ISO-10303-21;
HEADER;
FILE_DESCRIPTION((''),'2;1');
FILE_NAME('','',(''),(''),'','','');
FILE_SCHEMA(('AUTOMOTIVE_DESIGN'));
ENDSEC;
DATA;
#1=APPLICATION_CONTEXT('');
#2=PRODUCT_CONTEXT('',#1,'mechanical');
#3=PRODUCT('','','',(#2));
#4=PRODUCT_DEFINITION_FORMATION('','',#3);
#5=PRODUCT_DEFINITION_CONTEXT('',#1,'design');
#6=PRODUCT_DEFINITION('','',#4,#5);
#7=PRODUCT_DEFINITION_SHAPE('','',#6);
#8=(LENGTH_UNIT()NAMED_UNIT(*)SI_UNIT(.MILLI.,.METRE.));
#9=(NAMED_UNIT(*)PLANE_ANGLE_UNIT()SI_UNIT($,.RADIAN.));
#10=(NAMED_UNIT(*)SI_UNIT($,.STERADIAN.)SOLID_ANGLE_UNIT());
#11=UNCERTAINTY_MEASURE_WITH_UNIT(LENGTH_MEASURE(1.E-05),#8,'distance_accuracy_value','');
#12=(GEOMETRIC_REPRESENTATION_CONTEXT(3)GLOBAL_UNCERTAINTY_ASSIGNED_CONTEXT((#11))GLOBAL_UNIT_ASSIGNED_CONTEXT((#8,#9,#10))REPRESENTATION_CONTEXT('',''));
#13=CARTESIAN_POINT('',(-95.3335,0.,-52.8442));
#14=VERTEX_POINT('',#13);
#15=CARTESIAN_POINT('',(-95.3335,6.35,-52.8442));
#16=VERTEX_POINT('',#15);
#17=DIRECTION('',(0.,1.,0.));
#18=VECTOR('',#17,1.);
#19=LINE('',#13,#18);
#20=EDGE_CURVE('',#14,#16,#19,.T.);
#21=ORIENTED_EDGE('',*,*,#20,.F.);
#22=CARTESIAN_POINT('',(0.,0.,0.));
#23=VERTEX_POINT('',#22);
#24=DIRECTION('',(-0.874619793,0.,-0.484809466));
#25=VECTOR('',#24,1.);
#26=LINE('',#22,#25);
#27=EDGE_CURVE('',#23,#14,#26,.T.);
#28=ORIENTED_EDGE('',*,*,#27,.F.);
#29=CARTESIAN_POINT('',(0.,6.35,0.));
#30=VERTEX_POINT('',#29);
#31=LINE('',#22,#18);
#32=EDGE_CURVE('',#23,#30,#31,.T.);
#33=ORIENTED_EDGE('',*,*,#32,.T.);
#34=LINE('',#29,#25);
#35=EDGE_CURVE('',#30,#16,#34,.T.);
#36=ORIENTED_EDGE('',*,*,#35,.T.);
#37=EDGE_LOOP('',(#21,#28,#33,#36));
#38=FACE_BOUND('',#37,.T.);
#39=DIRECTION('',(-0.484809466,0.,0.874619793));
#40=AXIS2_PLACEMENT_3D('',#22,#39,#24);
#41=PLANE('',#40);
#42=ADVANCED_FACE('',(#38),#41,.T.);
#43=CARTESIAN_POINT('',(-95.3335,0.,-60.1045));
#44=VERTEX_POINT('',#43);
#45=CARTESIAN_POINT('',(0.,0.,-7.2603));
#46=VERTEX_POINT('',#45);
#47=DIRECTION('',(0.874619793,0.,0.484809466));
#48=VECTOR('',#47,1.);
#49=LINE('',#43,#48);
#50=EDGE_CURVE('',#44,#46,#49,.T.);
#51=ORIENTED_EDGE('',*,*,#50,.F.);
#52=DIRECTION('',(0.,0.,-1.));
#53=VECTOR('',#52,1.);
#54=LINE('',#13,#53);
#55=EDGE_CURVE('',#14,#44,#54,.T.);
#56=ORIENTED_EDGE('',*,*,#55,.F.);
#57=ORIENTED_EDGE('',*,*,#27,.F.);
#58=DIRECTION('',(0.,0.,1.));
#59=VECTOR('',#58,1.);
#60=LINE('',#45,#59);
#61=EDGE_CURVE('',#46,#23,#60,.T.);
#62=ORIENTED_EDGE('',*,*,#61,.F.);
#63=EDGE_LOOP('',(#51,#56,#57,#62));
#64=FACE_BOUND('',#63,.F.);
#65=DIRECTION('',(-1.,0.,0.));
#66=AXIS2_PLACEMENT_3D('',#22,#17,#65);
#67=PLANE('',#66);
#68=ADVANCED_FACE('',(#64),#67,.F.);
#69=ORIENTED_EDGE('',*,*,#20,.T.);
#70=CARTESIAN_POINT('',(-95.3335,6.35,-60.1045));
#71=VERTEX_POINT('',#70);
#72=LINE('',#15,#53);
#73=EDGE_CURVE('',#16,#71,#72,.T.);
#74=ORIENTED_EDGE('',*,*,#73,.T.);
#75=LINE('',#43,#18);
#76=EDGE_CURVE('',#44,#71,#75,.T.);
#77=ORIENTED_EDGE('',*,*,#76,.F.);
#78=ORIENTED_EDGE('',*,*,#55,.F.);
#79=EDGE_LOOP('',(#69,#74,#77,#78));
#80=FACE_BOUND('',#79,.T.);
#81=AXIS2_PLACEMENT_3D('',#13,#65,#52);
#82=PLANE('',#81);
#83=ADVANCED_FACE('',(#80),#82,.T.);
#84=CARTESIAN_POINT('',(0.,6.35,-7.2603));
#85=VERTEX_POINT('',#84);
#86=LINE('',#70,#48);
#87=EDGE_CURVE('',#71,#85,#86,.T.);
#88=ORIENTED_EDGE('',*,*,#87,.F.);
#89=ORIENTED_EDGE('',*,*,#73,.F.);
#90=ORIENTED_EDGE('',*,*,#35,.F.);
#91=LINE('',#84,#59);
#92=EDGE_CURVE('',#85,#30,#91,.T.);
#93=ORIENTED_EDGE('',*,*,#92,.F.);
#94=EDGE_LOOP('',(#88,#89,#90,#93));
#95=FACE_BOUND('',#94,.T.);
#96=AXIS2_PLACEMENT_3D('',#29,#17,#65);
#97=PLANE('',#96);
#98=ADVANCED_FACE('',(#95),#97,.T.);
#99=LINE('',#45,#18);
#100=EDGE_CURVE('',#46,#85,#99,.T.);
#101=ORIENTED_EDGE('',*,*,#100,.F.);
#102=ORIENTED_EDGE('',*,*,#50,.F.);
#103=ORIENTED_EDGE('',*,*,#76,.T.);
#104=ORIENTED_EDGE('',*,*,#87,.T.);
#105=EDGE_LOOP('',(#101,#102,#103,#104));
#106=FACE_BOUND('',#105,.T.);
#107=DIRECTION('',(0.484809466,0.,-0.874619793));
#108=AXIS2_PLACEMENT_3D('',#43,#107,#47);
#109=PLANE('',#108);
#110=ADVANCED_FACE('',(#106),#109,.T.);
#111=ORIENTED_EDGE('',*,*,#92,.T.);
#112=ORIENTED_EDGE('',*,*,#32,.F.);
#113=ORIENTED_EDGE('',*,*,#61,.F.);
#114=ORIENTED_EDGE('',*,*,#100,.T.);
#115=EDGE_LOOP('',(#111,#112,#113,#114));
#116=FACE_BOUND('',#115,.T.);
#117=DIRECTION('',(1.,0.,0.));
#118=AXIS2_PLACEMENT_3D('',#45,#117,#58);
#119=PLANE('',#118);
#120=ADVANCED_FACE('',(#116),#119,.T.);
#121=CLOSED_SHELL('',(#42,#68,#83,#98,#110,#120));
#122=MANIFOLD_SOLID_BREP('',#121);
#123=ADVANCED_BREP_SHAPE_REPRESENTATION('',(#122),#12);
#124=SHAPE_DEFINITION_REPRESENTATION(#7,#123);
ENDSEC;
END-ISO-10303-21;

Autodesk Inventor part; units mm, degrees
ref_plane "YZ Plane" through (0, 0, 0) normal (1, 0, 0) x (0, 1, 0)
ref_plane "XZ Plane" through (0, 0, 0) normal (0, 1, 0) x (-1, 0, 0)
ref_plane "XY Plane" through (0, 0, 0) normal (0, 0, 1) x (1, 0, 0)
sketch "Sketch1" plane through (0, 0, 0) normal (0, 1, 0) x (-1, 0, 0)
  point P0 (0, 0)
sketch "Sketch2" plane through (0, 0, 0) normal (0, 1, 0) x (-1, 0, 0)
  line L0 (0, 0) -> (95.3335, -52.8442)
  line L1 (0, 0) -> (109, 0) construction
  line L2 (95.3335, -52.8442) -> (95.3335, -60.1045)
  line L3 (95.3335, -60.1045) -> (0, -7.2603)
  line L4 (0, -7.2603) -> (0, 0)
  dimension "d1" = 29
extrude "Extrusion1" add sketch "Sketch2" along normal blind 6.35
properties part number "BottomDiagonalSupport"
